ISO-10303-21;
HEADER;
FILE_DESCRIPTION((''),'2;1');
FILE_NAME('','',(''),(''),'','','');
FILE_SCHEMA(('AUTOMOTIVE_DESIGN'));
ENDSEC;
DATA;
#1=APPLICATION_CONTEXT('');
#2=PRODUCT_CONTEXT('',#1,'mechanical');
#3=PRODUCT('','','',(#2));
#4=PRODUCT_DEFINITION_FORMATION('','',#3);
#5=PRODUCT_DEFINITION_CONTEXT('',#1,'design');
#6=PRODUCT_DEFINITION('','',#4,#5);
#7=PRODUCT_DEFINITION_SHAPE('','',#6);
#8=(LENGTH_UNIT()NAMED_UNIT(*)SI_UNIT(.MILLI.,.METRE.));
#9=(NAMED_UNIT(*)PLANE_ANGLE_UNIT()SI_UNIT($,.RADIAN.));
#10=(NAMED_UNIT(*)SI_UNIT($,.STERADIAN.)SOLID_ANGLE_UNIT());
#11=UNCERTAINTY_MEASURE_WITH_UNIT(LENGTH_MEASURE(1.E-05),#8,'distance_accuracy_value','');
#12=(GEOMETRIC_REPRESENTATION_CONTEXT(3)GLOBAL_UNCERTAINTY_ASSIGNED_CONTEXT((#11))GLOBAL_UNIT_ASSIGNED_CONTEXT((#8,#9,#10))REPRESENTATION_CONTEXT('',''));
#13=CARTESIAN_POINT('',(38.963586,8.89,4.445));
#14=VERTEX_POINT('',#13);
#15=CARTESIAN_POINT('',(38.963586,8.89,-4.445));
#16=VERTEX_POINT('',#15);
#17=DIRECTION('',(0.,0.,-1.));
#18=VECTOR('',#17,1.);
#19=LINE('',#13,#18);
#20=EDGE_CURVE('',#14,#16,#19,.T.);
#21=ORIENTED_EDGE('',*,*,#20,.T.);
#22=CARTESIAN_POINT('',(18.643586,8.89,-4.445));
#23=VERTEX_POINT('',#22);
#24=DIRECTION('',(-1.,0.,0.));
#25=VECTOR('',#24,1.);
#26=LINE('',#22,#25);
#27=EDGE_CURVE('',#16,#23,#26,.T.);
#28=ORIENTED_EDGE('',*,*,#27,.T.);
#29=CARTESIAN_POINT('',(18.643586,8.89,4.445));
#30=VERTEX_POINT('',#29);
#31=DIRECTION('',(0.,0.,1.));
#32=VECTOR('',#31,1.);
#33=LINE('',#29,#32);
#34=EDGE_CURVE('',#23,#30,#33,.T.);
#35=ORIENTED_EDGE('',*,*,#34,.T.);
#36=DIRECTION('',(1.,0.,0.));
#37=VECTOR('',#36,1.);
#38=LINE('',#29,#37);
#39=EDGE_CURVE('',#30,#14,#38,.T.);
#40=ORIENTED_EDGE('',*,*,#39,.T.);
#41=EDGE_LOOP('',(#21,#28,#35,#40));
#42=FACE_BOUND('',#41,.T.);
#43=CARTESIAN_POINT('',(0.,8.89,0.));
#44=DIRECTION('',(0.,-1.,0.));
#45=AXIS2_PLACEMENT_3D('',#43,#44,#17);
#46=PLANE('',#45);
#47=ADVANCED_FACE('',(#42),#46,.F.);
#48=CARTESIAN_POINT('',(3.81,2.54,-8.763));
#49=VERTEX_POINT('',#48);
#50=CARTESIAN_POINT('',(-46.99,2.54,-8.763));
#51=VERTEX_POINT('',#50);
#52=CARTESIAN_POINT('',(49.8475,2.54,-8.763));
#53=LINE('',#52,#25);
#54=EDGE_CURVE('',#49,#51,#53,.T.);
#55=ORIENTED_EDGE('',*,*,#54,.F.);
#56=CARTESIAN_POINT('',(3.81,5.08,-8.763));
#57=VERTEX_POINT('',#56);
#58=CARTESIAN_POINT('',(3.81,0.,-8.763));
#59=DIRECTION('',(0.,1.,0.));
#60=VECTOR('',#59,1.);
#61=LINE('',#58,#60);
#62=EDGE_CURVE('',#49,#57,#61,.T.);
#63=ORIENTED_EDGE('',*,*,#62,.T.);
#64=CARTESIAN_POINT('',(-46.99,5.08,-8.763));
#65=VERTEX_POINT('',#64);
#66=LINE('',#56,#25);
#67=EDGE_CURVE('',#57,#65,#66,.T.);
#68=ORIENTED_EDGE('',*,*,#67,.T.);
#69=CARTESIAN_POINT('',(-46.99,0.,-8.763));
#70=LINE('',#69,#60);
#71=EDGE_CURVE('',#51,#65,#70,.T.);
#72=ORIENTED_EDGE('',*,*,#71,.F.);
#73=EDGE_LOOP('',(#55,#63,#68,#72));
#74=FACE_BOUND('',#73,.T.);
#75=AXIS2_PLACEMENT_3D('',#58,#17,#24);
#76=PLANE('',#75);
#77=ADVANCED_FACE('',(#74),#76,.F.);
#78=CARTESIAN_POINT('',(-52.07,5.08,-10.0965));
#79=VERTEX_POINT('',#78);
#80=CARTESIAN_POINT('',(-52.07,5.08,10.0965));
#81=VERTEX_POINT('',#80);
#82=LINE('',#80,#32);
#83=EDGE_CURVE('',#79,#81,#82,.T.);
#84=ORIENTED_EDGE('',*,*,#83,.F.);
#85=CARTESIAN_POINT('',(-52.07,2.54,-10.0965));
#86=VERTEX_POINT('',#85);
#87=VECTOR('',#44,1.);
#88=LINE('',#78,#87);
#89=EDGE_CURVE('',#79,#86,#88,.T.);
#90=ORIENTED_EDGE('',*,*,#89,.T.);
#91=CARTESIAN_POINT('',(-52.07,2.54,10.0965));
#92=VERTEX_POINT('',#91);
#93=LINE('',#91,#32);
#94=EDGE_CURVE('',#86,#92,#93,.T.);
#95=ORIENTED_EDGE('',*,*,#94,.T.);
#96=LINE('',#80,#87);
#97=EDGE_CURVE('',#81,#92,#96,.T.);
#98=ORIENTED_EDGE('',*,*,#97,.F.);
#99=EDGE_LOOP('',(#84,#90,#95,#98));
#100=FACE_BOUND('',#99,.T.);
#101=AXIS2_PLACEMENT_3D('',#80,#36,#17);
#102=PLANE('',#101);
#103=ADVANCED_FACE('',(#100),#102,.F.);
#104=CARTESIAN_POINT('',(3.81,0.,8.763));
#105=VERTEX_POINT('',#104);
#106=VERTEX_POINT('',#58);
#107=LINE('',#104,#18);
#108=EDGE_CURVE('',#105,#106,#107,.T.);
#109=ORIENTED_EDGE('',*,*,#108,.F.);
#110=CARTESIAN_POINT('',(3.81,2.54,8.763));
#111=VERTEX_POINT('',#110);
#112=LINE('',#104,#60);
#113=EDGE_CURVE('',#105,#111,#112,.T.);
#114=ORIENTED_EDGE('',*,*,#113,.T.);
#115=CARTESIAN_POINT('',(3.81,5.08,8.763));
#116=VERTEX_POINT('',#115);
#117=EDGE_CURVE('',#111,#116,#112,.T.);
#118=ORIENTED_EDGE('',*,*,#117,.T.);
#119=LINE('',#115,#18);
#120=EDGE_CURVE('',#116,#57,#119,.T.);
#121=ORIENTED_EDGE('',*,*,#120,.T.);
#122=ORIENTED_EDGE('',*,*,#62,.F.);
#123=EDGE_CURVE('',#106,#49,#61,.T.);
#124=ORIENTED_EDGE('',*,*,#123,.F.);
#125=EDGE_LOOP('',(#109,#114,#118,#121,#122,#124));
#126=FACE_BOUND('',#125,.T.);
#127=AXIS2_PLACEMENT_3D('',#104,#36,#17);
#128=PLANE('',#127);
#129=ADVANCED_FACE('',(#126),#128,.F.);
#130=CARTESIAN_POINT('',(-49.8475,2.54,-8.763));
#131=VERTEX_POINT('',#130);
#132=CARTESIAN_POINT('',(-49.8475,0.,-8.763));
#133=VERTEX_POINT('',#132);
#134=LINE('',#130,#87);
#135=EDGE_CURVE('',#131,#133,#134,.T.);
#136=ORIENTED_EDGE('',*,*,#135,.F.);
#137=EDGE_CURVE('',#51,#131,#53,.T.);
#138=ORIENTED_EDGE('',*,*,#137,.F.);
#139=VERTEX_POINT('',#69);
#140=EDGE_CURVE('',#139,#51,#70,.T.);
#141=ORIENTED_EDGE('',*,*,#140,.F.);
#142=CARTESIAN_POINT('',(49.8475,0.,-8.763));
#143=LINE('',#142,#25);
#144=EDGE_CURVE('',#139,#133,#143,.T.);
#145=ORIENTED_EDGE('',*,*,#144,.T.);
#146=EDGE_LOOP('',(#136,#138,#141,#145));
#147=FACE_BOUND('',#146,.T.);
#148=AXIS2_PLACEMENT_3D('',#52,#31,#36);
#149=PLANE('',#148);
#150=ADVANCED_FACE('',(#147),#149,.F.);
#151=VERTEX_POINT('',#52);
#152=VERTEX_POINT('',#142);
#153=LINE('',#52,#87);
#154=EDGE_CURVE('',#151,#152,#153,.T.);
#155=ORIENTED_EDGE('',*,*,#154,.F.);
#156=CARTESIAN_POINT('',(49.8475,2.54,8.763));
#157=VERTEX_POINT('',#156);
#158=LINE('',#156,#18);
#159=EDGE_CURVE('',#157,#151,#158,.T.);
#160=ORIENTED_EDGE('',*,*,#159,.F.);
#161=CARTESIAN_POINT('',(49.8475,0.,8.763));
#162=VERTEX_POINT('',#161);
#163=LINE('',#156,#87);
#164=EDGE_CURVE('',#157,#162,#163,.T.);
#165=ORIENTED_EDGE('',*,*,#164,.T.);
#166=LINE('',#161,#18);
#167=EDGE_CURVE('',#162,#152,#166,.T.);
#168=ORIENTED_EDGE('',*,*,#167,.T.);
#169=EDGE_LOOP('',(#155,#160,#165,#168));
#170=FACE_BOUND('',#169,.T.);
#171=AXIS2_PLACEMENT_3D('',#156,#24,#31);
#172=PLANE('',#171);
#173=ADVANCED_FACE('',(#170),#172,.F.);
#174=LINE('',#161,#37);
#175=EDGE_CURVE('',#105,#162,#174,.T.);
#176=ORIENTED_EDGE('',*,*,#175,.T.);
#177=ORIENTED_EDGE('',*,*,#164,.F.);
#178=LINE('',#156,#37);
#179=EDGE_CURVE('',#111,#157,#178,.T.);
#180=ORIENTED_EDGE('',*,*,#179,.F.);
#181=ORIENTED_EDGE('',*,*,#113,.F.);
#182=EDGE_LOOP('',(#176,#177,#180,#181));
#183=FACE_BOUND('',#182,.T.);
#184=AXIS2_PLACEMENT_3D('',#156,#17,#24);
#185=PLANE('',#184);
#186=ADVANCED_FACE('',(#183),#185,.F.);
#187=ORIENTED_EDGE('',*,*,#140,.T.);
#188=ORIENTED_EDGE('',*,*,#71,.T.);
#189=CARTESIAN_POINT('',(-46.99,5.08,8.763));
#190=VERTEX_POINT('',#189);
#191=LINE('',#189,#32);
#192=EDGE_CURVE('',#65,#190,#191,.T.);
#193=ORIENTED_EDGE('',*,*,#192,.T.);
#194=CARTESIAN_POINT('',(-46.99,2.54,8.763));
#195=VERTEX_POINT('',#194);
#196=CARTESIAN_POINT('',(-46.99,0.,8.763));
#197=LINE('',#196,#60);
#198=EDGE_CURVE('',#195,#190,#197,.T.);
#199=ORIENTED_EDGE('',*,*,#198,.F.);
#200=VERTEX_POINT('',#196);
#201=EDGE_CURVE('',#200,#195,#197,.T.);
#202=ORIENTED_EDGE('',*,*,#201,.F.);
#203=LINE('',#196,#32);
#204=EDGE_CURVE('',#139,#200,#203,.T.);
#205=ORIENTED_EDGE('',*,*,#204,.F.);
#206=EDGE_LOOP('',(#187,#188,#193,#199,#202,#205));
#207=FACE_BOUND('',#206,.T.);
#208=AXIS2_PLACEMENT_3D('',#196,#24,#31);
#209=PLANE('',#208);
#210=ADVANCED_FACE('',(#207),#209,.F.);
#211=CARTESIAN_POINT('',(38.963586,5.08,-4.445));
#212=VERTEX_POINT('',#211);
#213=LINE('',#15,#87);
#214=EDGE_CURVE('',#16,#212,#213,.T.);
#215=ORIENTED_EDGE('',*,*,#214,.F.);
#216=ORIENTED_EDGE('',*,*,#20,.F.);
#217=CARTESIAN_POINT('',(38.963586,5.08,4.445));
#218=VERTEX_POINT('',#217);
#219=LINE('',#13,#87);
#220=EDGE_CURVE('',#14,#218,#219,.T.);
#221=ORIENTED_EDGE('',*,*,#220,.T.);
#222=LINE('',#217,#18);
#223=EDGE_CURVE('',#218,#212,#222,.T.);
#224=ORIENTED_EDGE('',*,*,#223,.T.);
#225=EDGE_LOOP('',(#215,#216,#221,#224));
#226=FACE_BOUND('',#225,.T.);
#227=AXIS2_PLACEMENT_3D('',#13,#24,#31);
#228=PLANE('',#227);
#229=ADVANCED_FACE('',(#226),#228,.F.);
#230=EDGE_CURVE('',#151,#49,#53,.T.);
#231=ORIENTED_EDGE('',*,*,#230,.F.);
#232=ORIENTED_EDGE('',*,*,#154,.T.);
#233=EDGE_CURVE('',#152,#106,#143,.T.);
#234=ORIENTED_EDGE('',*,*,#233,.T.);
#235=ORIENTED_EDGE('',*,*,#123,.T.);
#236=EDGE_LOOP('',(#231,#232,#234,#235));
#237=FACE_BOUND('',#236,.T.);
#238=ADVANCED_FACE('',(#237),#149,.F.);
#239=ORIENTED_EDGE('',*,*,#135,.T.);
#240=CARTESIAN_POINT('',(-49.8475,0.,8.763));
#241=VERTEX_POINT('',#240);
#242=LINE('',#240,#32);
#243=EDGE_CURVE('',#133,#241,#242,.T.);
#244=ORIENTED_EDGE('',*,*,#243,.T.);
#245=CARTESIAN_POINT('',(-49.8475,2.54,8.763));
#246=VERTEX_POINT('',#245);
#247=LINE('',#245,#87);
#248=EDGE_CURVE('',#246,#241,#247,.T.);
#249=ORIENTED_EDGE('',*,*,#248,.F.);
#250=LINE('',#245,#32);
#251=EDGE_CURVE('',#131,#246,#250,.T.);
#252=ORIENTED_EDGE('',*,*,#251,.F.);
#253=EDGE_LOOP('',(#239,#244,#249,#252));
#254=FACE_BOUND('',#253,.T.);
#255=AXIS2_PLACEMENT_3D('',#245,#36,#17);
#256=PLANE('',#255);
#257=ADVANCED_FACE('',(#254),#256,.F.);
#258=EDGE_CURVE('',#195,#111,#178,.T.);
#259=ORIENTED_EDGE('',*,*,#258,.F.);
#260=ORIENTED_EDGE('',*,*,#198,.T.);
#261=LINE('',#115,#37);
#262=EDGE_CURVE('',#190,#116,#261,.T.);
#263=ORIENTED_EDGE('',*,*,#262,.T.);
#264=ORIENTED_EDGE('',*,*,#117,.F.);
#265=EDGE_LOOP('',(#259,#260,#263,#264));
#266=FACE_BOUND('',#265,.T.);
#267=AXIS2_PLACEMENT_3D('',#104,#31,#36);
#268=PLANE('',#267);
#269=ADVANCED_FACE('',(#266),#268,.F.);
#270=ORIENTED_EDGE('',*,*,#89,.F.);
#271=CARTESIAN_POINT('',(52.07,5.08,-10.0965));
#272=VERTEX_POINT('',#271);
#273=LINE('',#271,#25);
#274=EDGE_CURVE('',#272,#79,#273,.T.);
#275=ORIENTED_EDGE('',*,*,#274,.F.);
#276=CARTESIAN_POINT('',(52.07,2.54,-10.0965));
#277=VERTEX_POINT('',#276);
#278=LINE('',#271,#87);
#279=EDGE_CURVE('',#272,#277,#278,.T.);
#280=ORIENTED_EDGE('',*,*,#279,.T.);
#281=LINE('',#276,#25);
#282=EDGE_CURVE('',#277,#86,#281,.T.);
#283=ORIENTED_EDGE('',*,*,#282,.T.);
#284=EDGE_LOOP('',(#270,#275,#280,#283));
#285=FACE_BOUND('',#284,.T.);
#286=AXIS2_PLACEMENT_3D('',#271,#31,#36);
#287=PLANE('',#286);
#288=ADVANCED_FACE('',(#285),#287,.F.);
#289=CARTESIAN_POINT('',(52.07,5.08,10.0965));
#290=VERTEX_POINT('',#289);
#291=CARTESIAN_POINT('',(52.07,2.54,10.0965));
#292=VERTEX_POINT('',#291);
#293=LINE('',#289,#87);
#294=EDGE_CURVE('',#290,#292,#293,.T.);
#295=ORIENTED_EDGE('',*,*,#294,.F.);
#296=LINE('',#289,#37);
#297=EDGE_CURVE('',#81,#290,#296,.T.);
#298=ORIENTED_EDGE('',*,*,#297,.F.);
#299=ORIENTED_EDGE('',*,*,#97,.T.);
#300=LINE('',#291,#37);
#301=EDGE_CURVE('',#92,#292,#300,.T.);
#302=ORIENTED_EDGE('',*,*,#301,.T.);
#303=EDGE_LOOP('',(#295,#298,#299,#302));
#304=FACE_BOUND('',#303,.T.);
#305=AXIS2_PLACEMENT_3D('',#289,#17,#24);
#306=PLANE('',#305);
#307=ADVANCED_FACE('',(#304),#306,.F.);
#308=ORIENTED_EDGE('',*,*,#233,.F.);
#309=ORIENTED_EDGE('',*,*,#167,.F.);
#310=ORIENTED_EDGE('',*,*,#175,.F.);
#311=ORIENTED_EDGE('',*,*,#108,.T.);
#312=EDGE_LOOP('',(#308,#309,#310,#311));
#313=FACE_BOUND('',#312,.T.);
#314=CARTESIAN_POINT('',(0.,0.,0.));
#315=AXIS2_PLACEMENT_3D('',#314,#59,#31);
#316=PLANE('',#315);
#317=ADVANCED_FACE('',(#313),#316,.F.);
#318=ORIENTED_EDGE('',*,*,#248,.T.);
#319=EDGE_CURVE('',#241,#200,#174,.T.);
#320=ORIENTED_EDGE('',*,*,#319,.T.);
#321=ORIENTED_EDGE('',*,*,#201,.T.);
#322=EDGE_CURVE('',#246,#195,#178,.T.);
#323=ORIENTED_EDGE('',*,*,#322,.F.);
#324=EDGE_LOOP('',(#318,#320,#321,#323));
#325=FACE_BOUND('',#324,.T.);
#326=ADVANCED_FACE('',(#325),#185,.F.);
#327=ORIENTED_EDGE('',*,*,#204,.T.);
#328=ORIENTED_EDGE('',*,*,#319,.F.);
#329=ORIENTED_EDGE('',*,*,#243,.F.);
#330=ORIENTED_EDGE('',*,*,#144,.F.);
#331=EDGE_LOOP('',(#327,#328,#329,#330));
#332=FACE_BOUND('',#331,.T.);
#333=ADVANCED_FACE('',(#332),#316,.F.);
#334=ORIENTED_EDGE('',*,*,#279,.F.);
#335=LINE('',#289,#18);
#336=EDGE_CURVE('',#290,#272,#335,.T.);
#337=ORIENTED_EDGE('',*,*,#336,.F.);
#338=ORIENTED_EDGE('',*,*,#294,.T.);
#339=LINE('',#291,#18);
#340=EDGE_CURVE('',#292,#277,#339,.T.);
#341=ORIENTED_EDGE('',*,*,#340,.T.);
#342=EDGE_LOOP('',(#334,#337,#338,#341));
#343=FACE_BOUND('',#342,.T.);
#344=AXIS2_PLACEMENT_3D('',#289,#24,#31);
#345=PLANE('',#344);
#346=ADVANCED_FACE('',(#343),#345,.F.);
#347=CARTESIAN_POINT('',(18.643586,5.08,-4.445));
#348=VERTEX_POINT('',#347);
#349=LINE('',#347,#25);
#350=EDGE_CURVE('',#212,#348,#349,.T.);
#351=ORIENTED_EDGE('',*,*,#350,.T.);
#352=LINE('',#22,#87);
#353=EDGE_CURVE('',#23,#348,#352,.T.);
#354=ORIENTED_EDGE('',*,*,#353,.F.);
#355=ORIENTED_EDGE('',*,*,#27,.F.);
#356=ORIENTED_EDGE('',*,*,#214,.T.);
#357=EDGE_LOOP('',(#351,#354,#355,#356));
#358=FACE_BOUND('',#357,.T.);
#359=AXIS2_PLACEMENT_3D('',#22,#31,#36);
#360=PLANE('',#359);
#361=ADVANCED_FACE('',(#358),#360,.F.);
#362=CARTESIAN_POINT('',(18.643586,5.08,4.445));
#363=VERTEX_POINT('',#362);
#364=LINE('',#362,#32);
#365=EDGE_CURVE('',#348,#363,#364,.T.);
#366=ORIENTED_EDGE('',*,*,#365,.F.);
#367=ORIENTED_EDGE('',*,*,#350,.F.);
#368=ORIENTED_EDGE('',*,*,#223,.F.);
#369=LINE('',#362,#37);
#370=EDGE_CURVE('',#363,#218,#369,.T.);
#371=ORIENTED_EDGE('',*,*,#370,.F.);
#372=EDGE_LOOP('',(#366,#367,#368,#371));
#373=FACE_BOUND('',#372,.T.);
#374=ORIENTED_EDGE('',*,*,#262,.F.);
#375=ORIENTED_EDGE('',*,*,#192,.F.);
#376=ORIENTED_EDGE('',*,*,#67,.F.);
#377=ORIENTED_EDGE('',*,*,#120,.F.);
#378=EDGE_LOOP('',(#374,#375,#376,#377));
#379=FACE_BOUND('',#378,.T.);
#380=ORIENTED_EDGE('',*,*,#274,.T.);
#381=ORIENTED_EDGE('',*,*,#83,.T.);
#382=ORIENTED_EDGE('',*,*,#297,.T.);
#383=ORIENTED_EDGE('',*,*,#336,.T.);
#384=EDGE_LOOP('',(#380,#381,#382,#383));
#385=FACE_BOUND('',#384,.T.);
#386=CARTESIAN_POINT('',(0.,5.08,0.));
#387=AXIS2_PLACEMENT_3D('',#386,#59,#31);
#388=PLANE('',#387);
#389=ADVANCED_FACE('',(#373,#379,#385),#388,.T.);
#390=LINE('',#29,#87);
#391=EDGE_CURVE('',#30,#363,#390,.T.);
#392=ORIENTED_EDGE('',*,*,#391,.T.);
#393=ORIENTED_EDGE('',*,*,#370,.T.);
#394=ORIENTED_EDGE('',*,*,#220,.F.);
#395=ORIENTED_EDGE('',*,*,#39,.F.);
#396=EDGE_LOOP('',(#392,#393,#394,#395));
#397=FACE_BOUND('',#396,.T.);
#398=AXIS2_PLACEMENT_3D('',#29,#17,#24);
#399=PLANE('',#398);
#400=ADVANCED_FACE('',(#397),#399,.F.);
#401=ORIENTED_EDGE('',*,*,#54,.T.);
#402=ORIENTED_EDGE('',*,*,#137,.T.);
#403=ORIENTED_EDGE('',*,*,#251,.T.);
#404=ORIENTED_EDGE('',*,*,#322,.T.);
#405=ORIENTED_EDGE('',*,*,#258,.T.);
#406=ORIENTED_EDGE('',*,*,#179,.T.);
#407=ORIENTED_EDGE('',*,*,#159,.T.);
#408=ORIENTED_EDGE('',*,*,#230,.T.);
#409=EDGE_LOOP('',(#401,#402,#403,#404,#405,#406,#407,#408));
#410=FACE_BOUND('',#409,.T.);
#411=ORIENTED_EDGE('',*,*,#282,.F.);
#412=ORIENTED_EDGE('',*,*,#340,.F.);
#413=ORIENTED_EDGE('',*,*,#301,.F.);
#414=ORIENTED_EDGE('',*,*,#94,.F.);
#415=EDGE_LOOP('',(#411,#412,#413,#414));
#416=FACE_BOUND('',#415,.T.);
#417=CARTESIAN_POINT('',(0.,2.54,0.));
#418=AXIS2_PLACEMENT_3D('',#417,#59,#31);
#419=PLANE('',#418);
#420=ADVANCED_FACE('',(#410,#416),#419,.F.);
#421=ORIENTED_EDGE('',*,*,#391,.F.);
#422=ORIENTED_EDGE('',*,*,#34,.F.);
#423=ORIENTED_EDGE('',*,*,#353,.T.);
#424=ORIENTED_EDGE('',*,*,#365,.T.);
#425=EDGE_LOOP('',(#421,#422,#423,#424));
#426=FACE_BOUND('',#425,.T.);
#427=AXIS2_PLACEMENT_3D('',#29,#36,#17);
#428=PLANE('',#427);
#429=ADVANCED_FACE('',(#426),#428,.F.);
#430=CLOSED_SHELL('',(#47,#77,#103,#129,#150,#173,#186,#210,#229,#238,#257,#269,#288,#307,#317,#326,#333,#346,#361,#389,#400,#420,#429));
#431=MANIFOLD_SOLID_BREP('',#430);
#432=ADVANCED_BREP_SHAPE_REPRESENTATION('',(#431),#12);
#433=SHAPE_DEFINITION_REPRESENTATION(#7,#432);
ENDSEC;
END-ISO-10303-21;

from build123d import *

# Parameters (mm, degrees)
SKETCH1_W           = 99.695
SKETCH1_H           = 17.526
BOSS_EXTRUDE1_DEPTH = 2.54
SKETCH2_W           = 104.14
SKETCH2_H           = 20.193
BOSS_EXTRUDE2_DEPTH = 2.54
SKETCH4_W           = 20.32
SKETCH4_H           = 8.89
BOSS_EXTRUDE3_DEPTH = 3.81
SKETCH5_W           = 50.8
SKETCH5_H           = 17.526
CUT_EXTRUDE1_DEPTH  = 54.282554483


with BuildPart() as part:
    # Sketch1 → Boss-Extrude1 (new body)
    with BuildSketch(Plane(origin=(0, 0, 0), x_dir=(1, 0, 0), z_dir=(0, 1, 0))):
        Rectangle(SKETCH1_W, SKETCH1_H)
    extrude(amount=BOSS_EXTRUDE1_DEPTH)

    # Sketch2 → Boss-Extrude2 (add)
    with BuildSketch(Plane(origin=(0, 2.54, 0), x_dir=(1, 0, 0), z_dir=(0, 1, 0))):
        Rectangle(SKETCH2_W, SKETCH2_H)
    extrude(amount=BOSS_EXTRUDE2_DEPTH)

    # Sketch4 → Boss-Extrude3 (add)
    with BuildSketch(Plane(origin=(0, 5.08, 0), x_dir=(1, 0, 0), z_dir=(0, 1, 0))):
        with Locations((28.80358553, 0)):
            Rectangle(SKETCH4_W, SKETCH4_H)
    extrude(amount=BOSS_EXTRUDE3_DEPTH)

    # Sketch5 → Cut-Extrude1 (cut, through all)
    with BuildSketch(Plane(origin=(0, 5.08, 0), x_dir=(1, 0, 0), z_dir=(0, 1, 0))):
        with Locations((-21.59, 0)):
            Rectangle(SKETCH5_W, SKETCH5_H)
    extrude(amount=-CUT_EXTRUDE1_DEPTH, mode=Mode.SUBTRACT)


solid = part.part
